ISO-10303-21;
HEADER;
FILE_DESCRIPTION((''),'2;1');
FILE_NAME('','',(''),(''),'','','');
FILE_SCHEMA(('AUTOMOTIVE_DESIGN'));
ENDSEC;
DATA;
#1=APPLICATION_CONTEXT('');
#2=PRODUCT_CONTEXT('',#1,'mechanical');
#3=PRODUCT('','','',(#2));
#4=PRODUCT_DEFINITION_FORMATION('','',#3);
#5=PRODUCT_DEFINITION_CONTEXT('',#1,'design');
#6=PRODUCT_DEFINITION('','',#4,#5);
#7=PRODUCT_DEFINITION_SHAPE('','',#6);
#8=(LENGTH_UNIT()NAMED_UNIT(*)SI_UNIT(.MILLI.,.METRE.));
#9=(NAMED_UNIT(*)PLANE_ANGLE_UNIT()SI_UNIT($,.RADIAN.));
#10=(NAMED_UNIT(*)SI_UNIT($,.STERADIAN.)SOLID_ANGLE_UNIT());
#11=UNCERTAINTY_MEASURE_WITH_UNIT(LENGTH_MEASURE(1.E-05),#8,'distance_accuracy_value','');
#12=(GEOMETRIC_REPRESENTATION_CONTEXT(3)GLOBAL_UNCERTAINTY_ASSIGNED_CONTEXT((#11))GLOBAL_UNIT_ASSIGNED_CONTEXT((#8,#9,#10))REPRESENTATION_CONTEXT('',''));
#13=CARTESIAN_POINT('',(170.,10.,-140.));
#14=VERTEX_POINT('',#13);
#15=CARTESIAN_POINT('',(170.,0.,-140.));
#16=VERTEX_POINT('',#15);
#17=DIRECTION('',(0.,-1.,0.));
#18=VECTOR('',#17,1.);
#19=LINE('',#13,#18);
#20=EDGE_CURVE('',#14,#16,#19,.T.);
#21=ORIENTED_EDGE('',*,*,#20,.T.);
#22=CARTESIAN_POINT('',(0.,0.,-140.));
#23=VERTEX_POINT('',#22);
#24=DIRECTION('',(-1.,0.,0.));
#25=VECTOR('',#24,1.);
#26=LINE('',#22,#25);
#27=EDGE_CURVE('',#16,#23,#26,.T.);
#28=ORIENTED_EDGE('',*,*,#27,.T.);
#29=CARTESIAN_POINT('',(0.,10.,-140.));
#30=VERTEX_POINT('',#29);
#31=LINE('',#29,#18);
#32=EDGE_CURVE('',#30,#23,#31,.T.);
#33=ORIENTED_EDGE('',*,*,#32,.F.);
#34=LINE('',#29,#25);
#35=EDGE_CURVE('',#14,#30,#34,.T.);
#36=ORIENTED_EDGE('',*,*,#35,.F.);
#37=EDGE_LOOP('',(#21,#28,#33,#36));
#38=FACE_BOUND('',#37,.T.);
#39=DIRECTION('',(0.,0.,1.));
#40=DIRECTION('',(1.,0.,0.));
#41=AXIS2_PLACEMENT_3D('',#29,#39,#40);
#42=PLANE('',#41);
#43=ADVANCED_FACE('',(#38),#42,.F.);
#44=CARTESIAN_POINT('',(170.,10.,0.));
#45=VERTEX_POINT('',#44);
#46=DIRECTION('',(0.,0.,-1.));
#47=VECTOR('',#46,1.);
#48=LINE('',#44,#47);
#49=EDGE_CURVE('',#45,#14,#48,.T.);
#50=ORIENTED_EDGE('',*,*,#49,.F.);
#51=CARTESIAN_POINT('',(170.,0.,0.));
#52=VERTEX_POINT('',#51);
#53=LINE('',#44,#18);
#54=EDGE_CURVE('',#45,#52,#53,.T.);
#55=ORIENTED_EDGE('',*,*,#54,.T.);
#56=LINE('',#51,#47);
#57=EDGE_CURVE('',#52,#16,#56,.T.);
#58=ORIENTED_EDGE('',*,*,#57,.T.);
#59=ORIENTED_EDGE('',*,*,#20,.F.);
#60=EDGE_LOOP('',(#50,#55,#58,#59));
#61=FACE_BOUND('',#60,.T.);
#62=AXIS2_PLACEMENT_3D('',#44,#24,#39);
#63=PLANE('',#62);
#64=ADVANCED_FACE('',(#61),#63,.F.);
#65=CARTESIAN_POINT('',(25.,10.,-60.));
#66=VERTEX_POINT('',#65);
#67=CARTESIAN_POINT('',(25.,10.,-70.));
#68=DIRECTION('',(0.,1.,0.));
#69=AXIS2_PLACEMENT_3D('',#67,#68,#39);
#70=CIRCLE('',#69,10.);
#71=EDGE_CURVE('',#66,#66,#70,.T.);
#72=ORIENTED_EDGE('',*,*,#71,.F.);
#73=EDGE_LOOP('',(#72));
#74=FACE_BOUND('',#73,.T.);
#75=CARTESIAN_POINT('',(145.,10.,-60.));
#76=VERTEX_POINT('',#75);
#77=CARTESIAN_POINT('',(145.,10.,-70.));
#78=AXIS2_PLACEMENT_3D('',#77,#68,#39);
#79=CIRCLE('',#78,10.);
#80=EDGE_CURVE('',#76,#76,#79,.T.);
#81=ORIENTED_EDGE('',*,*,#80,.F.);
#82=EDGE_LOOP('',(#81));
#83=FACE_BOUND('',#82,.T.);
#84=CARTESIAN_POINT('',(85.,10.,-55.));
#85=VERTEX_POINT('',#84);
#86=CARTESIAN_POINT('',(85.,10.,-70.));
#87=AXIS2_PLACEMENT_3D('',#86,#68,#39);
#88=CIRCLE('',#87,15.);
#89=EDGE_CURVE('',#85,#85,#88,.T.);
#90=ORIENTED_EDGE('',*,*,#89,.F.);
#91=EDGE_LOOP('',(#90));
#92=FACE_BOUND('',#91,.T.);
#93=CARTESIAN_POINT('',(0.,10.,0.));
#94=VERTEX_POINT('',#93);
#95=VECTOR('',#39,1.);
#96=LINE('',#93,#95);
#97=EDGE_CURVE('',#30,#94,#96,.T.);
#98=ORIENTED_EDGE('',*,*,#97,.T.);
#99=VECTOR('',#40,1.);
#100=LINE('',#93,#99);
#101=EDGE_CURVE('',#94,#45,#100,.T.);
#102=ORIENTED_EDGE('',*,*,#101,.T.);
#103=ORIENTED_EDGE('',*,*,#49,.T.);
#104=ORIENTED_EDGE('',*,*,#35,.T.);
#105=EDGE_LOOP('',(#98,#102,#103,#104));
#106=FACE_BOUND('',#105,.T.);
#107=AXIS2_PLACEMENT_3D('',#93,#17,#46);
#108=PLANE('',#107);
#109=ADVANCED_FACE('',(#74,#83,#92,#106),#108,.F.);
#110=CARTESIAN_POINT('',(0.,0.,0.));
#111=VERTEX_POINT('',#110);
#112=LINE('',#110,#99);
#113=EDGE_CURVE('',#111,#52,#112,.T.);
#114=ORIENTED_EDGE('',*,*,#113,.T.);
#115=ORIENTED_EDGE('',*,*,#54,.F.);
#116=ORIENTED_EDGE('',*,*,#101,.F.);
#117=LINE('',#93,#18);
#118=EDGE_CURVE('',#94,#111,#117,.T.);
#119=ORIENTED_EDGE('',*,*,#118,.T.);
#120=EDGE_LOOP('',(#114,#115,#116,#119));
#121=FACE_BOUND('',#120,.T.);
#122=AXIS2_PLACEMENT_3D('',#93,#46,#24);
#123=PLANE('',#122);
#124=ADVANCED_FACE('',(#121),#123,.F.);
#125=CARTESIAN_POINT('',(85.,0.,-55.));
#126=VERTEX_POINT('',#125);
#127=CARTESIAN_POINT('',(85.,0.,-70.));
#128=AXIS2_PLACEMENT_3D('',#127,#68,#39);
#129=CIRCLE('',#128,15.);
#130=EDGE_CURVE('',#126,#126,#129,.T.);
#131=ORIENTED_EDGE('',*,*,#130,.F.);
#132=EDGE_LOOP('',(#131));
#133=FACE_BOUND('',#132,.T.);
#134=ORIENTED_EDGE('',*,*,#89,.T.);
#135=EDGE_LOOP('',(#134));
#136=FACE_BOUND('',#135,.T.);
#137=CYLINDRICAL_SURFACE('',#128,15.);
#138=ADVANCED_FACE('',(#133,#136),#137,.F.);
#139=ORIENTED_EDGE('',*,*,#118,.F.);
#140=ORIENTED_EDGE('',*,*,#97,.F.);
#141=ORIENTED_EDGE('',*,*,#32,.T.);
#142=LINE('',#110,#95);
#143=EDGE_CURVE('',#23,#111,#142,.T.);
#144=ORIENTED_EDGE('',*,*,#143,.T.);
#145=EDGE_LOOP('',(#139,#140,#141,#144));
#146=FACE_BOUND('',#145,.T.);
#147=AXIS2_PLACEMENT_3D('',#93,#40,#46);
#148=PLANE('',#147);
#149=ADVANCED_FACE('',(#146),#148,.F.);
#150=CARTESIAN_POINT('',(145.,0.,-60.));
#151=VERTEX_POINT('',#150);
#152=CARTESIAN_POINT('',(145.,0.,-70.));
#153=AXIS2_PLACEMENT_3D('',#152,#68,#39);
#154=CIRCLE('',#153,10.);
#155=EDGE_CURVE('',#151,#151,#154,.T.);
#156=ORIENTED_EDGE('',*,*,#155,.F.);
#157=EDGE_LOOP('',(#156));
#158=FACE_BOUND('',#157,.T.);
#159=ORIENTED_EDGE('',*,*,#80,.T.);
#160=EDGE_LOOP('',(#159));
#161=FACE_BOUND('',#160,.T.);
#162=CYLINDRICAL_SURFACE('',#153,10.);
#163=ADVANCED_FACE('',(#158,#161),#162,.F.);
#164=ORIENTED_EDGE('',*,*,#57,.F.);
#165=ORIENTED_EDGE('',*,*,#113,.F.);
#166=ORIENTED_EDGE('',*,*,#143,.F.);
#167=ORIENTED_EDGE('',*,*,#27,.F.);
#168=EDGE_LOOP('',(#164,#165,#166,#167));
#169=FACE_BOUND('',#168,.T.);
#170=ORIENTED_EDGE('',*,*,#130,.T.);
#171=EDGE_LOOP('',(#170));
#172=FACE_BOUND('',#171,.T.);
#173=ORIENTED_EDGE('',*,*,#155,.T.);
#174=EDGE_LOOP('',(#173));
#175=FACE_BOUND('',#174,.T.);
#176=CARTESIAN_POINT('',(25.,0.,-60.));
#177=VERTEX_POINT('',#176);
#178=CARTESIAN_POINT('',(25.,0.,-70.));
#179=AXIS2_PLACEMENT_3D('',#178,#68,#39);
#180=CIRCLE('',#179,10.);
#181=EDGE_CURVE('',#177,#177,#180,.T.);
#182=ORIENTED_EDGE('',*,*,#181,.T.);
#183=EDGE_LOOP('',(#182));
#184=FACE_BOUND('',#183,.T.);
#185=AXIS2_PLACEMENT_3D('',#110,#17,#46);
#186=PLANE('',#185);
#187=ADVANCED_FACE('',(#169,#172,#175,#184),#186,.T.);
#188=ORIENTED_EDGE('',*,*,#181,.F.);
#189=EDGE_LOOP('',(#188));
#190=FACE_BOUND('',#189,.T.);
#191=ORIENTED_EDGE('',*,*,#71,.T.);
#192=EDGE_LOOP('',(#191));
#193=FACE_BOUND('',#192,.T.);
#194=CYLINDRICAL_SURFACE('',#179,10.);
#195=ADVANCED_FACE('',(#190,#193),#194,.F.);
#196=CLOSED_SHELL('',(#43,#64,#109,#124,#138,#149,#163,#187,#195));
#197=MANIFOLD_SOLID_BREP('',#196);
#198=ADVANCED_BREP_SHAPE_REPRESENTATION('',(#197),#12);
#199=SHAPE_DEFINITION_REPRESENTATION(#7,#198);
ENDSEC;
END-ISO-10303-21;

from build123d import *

# Parameters (mm, degrees)
SKETCH1_W           = 170
SKETCH1_H           = 140
BOSS_EXTRUDE1_DEPTH = 10
SKETCH2_R           = 10
SKETCH2_R_2         = 15
CUT_EXTRUDE1_DEPTH  = 221.45407685


with BuildPart() as part:
    # Sketch1 → Boss-Extrude1 (new body)
    with BuildSketch(Plane(origin=(0, 0, 0), x_dir=(1, 0, 0), z_dir=(0, 1, 0))):
        with Locations((85, 70)):
            Rectangle(SKETCH1_W, SKETCH1_H)
    extrude(amount=BOSS_EXTRUDE1_DEPTH)

    # Sketch2 → Cut-Extrude1 (cut, through all)
    with BuildSketch(Plane(origin=(0, 10, 0), x_dir=(1, 0, 0), z_dir=(0, 1, 0))):
        with Locations(Location((25, 70, 0), (0, 0, 270))):
            Circle(SKETCH2_R)
        with Locations(Location((145, 70, 0), (0, 0, 270))):
            Circle(SKETCH2_R)
        with Locations(Location((85, 70, 0), (0, 0, 270))):
            Circle(SKETCH2_R_2)
    extrude(amount=-CUT_EXTRUDE1_DEPTH, mode=Mode.SUBTRACT)


solid = part.part
